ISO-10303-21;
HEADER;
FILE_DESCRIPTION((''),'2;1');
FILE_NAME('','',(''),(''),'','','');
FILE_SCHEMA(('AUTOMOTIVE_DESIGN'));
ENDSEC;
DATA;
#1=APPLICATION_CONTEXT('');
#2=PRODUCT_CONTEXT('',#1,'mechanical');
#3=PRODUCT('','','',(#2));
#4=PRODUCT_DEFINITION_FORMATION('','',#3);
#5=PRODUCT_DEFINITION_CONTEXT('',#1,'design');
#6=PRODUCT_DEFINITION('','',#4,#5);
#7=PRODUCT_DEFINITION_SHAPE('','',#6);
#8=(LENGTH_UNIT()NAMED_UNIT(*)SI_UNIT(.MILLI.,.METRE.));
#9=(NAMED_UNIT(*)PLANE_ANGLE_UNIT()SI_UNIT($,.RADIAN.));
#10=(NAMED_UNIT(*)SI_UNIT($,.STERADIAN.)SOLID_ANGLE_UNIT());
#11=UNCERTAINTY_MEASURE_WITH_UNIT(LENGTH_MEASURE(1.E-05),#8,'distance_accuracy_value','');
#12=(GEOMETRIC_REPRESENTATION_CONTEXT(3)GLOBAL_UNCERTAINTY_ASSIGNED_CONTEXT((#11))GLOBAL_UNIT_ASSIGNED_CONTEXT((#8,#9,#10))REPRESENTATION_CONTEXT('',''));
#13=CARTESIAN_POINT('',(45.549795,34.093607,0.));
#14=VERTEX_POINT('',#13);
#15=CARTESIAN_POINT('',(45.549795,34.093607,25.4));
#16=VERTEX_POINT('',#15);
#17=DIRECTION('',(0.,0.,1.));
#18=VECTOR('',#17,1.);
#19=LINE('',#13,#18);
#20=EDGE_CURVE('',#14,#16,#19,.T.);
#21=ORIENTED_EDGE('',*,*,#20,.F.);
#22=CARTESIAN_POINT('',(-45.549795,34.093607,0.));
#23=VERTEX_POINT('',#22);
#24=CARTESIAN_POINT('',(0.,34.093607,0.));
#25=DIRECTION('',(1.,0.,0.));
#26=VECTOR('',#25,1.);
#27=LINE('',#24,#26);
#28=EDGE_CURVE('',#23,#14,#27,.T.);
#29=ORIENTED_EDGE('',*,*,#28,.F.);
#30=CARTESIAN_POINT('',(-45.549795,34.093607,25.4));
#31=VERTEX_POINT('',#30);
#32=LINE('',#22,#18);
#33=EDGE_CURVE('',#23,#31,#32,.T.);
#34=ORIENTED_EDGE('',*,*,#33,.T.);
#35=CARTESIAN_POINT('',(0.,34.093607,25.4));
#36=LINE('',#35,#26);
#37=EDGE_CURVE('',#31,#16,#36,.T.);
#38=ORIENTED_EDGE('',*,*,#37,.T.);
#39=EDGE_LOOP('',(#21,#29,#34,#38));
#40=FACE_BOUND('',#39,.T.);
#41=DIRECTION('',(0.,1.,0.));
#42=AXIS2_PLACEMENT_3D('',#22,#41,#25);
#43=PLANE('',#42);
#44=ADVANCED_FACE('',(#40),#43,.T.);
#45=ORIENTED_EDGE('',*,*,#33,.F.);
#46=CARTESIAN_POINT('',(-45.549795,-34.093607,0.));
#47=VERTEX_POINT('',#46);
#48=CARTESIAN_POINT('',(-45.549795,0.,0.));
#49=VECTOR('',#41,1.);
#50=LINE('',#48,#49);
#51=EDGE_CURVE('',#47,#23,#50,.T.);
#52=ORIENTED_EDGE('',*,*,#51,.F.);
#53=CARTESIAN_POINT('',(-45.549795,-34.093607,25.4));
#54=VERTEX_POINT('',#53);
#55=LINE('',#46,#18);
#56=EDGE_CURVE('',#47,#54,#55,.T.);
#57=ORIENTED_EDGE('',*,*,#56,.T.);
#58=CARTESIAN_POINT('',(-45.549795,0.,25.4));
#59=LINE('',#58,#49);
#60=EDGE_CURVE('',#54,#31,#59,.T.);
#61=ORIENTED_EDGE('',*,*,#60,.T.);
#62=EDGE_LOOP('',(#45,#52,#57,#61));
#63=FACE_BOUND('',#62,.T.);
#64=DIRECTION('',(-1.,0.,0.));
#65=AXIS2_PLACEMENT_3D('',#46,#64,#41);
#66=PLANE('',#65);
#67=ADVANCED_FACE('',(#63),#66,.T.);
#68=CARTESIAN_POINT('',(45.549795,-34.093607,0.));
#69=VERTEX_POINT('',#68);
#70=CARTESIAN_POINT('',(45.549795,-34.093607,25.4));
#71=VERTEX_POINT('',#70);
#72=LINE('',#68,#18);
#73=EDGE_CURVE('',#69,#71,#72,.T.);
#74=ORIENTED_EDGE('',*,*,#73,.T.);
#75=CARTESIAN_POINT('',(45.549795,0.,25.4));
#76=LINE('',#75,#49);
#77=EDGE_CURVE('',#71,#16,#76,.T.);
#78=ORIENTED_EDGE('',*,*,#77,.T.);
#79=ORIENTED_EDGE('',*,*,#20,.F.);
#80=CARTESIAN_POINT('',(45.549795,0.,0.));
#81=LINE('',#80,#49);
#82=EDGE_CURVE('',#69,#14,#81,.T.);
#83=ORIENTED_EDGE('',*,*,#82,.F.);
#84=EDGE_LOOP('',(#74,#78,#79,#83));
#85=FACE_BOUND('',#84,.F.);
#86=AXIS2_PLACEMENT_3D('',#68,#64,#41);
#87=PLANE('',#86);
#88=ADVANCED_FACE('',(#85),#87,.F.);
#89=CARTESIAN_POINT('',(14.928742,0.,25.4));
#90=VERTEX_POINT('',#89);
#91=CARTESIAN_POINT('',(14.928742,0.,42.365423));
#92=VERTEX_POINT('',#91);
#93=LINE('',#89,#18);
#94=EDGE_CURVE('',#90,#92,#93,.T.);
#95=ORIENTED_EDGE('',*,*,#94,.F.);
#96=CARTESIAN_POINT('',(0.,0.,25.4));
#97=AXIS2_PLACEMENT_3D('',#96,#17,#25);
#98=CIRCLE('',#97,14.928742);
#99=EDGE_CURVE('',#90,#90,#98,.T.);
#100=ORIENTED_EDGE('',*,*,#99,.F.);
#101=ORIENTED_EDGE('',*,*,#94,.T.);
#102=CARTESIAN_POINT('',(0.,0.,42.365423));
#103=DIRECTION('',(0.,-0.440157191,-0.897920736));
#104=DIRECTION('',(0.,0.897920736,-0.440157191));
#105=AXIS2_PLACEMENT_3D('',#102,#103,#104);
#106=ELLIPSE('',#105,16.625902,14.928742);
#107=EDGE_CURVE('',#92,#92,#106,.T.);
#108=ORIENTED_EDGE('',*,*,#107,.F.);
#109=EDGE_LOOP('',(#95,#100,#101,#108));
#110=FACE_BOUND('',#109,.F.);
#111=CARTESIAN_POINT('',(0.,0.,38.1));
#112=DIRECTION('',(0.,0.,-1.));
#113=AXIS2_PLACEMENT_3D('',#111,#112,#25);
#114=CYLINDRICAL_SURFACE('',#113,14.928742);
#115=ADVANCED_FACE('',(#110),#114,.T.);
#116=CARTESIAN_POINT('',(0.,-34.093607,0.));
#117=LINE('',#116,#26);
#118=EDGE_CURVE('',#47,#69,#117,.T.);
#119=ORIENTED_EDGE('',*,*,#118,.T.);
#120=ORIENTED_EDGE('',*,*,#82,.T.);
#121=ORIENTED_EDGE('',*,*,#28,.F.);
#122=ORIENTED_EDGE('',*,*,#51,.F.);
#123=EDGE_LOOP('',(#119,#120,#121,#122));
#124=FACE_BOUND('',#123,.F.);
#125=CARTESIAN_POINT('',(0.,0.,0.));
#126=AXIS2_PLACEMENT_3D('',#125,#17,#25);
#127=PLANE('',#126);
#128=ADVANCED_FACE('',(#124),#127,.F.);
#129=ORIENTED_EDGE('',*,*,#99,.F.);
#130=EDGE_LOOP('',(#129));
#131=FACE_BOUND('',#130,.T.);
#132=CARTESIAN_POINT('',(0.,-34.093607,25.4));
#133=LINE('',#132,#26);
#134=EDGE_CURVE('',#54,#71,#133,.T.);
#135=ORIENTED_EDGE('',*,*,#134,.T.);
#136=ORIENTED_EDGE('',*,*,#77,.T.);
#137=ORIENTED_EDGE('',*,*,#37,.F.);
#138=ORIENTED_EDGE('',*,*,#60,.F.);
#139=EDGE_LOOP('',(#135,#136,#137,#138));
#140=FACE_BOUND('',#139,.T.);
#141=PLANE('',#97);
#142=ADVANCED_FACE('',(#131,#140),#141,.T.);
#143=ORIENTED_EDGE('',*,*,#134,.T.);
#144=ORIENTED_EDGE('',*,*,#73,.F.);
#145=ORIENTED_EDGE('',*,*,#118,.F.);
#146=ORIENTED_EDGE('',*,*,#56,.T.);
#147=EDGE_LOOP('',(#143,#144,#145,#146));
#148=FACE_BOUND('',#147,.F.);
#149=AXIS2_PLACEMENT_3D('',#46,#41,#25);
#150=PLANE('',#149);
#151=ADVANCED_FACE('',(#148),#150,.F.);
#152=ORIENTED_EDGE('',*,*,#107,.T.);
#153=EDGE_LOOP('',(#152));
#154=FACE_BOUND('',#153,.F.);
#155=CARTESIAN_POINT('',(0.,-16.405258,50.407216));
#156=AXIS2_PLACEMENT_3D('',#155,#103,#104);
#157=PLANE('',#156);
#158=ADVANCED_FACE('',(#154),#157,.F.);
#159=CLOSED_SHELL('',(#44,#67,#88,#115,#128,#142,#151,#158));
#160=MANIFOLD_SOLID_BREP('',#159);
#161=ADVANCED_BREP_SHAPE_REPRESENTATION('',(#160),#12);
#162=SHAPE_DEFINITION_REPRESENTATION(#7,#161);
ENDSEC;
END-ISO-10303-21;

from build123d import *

# Parameters (mm, degrees)
F0_R     = 14.9287421436
F1_DEPTH = 38.1
F0_W     = 91.0995900631
F0_H     = 68.1872144341
F2_DEPTH = 25.4
F3_DEPTH = 12.7
F5_DEPTH = 25.4


with BuildPart() as f1:
    # F0 (on Top) → F1 (new body)
    with BuildSketch(Plane.XY):
        Circle(F0_R)
    extrude(amount=F1_DEPTH)

    # F0 (on Top) → F2 (join)
    with BuildSketch(Plane.XY):
        Rectangle(F0_W, F0_H)
        Circle(F0_R, mode=Mode.SUBTRACT)
    extrude(amount=F2_DEPTH)

    # F3 (add): a face of the model
    f3_faces = [f1.faces().sort_by_distance(p)[0] for p in [
        (0, 0, 38.1),
    ]]
    extrude(f3_faces, amount=F3_DEPTH)

    # F4 (on Right) → F5 (cut, symmetric)
    with BuildSketch(Plane.YZ):
        Polygon((-16.5885575116, 54.623093456), (-16.4052583277, 50.4072159529), (20.9877323359, 32.0773199201), (20.9877323359, 54.623093456), align=None)
    extrude(amount=F5_DEPTH, both=True, mode=Mode.SUBTRACT)


solid = f1.part
